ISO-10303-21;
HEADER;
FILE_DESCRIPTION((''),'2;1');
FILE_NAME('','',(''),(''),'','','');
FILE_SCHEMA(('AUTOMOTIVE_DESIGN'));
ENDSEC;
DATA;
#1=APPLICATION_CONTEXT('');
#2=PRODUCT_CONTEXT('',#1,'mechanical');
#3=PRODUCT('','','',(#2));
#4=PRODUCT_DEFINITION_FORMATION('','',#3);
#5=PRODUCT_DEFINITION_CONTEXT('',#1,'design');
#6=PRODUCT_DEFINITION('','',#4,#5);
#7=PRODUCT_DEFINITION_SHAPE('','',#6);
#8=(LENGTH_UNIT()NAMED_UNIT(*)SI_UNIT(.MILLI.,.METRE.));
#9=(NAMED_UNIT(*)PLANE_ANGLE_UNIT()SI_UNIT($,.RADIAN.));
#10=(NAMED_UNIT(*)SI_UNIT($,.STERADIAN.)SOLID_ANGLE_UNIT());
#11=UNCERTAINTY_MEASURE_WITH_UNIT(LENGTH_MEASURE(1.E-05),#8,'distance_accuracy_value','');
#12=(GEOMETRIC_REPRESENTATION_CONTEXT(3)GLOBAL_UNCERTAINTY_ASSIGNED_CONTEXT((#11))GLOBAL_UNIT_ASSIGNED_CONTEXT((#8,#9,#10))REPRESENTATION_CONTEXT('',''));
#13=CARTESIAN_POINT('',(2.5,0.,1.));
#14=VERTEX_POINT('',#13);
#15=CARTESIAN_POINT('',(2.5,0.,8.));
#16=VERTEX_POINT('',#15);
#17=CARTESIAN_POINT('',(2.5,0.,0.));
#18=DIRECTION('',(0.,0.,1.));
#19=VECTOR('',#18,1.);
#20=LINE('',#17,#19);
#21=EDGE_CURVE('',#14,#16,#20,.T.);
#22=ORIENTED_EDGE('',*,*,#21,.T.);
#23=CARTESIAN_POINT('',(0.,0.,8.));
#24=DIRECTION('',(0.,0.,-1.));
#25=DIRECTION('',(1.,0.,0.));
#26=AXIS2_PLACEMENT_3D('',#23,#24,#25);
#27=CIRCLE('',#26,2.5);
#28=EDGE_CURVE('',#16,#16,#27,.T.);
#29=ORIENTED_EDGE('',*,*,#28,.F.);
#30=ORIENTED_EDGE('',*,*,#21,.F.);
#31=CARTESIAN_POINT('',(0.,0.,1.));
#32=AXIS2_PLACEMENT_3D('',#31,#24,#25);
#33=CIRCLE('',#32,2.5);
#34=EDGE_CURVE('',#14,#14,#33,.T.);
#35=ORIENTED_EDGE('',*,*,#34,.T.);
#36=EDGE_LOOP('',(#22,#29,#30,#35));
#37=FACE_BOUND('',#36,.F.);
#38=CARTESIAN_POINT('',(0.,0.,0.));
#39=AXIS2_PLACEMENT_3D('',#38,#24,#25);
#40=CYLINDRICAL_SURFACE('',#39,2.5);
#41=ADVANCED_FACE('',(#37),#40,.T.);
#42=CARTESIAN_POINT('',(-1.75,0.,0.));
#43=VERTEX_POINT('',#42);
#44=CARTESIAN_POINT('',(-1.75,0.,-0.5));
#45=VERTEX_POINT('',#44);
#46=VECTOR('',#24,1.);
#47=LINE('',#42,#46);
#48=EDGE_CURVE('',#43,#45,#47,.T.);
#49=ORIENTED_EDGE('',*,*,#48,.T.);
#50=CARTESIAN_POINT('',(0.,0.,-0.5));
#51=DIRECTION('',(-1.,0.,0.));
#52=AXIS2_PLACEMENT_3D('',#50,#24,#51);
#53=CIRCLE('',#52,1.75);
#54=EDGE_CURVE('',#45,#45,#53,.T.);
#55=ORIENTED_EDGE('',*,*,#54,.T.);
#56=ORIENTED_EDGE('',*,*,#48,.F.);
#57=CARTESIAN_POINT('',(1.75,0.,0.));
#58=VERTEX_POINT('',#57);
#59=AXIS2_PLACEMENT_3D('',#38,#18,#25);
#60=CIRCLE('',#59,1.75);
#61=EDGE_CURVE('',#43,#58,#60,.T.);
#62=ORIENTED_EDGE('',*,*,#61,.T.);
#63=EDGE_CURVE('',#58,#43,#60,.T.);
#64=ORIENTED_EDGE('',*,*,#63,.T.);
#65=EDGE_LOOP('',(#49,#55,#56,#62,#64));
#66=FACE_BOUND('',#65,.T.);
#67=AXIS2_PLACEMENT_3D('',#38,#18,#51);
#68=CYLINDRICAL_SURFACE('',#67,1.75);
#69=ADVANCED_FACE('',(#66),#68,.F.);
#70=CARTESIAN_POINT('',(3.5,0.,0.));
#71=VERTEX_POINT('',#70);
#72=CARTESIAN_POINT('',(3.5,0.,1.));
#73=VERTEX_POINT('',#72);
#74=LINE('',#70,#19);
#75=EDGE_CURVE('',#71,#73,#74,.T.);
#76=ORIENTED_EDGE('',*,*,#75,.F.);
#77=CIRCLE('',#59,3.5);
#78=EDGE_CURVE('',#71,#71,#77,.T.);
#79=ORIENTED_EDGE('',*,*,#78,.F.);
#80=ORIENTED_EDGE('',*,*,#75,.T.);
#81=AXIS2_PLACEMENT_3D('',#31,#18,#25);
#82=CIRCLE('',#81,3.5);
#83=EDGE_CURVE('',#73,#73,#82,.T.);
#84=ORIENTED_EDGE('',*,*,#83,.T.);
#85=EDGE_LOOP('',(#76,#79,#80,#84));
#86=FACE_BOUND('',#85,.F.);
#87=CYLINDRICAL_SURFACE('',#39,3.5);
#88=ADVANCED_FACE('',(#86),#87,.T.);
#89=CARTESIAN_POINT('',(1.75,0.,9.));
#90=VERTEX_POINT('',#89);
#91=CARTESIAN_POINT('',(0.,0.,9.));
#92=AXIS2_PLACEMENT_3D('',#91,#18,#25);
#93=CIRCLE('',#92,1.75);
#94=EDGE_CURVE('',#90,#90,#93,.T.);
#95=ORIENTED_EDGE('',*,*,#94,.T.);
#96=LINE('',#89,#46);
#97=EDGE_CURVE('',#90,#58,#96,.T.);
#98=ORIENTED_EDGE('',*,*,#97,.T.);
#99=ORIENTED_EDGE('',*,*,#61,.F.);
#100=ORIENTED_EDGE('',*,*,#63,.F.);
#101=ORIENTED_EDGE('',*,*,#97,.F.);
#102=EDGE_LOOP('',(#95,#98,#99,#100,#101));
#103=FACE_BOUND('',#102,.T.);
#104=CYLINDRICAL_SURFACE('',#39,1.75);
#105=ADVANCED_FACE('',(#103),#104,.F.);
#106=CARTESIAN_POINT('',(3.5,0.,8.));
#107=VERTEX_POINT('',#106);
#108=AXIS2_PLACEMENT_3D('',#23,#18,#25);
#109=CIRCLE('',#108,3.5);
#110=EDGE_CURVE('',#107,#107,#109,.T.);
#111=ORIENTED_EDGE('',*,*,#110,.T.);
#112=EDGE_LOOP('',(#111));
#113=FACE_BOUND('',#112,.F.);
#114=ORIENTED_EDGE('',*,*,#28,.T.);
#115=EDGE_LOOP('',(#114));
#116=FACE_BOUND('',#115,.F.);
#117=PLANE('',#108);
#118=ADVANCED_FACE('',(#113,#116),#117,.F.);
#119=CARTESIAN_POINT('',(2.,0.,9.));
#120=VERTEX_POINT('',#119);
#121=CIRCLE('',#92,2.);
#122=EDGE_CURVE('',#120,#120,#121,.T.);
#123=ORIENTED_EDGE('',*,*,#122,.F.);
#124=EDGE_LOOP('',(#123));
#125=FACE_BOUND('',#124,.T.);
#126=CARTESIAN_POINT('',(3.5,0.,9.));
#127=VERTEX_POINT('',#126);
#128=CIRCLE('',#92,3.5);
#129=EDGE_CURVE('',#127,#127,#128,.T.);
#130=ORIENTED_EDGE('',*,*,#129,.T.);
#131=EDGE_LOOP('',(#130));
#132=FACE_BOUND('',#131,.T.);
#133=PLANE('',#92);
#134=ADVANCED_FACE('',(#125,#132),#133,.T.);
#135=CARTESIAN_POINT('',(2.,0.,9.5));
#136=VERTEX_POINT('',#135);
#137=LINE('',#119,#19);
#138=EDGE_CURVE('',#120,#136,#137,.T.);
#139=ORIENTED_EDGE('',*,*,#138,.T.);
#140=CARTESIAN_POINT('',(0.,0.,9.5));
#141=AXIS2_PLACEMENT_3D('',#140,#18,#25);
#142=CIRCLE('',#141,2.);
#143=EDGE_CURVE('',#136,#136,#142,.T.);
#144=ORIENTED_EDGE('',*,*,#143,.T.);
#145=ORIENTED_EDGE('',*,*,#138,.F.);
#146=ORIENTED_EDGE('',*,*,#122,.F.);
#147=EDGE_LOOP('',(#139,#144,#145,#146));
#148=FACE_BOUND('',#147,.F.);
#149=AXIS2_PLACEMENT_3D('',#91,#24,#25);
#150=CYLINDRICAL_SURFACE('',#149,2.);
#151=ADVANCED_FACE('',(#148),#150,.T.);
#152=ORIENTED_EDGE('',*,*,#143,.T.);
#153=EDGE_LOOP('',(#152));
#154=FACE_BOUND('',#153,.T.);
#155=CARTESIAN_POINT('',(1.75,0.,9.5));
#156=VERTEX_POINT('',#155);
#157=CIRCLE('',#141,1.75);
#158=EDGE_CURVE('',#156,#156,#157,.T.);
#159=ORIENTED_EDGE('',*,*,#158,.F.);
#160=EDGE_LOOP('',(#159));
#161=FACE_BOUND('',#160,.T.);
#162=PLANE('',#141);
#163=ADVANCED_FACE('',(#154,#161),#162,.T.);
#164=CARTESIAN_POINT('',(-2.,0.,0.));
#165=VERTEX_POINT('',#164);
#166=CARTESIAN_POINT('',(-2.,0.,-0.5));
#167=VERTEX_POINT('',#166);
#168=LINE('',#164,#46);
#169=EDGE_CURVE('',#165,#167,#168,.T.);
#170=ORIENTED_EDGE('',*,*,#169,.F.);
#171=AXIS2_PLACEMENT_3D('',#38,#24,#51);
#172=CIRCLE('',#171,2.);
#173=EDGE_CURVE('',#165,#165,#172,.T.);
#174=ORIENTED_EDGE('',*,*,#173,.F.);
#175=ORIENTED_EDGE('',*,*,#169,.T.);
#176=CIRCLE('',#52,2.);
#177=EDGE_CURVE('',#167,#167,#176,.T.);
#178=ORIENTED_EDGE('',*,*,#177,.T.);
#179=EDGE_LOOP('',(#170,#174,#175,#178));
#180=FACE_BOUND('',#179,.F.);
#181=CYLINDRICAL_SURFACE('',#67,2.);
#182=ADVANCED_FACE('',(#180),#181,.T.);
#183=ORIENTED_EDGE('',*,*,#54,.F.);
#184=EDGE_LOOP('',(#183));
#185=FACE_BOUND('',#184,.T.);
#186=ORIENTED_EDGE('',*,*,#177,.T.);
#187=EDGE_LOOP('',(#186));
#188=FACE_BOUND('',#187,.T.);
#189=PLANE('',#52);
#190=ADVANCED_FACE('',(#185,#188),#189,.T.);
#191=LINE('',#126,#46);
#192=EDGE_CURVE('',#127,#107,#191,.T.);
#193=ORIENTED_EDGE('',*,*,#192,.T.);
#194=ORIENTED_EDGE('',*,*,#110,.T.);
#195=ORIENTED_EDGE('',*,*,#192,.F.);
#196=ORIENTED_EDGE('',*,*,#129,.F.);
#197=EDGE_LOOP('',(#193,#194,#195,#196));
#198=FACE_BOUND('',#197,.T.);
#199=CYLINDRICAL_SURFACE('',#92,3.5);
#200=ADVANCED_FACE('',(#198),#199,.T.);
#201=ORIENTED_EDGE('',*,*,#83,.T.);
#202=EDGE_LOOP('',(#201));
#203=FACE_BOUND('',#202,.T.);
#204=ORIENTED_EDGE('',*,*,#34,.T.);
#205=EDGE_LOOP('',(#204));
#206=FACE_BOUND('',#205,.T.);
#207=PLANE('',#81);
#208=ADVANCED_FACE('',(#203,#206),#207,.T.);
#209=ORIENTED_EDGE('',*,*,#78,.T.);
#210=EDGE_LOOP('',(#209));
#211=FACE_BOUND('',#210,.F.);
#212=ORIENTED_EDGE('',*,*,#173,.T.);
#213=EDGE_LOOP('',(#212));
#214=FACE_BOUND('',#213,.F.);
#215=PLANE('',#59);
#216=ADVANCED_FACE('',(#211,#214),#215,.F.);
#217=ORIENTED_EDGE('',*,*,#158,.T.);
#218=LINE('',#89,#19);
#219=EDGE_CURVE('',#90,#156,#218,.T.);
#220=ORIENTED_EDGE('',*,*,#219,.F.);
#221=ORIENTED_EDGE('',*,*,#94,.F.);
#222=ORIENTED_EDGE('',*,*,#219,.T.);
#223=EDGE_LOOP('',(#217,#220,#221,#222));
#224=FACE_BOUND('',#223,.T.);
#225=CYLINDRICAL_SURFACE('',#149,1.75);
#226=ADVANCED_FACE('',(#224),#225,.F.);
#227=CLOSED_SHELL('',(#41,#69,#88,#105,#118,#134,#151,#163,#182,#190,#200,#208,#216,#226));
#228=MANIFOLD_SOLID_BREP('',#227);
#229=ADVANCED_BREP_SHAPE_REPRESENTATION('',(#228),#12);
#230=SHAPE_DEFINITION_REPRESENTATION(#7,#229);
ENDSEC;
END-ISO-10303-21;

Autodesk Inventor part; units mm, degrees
ref_plane "YZ Plane" through (0, 0, 0) normal (1, 0, 0) x (0, 1, 0)
ref_plane "XZ Plane" through (0, 0, 0) normal (0, 1, 0) x (-1, 0, 0)
ref_plane "XY Plane" through (0, 0, 0) normal (0, 0, 1) x (1, 0, 0)
sketch "Sketch1" plane through (0, 0, 0) normal (0, 0, 1) x (1, 0, 0)
  circle A0 centre (0, 0) radius 1.75
  circle A1 centre (0, 0) radius 3.5
  circle A2 centre (0, 0) radius 2.5
  dimension "d0" = 3.5
  dimension "d1" = 7
  dimension "d9" = 5
extrude "Extrusion1" add sketch "Sketch1" along normal blind 9 contours A2
extrude "Extrusion2" add sketch "Sketch1" along normal blind 1 contours A1 | A2
sketch "Sketch2" plane through (0, 0, 9) normal (0, 0, 1) x (1, 0, 0)
  circle A0 centre (0, 0) radius 3.5
  circle A1 centre (0, 0) radius 1.75
  dimension "d6" = 7
  dimension "d10" = 3.5
extrude "Extrusion3" add sketch "Sketch2" against normal blind 1
sketch "Sketch3" plane through (0, 0, 0) normal (0, 0, -1) x (-1, 0, 0)
  circle A0 centre (0, 0) radius 2
  circle A1 centre (0, 0) radius 1.75
  dimension "d11" = 4
  dimension "d12" = 3.5
extrude "Extrusion4" add sketch "Sketch3" along normal blind 0.5
sketch "Sketch4" plane through (0, 0, 9) normal (0, 0, 1) x (1, 0, 0)
  circle A0 centre (0, 0) radius 1.75
  circle A1 centre (0, 0) radius 1.75 projected
  circle A2 centre (0, 0) radius 2
  dimension "d15" = 3.5
  dimension "d16" = 4
extrude "Extrusion5" add sketch "Sketch4" along normal blind 0.5
properties part number "GuidingPulley"
